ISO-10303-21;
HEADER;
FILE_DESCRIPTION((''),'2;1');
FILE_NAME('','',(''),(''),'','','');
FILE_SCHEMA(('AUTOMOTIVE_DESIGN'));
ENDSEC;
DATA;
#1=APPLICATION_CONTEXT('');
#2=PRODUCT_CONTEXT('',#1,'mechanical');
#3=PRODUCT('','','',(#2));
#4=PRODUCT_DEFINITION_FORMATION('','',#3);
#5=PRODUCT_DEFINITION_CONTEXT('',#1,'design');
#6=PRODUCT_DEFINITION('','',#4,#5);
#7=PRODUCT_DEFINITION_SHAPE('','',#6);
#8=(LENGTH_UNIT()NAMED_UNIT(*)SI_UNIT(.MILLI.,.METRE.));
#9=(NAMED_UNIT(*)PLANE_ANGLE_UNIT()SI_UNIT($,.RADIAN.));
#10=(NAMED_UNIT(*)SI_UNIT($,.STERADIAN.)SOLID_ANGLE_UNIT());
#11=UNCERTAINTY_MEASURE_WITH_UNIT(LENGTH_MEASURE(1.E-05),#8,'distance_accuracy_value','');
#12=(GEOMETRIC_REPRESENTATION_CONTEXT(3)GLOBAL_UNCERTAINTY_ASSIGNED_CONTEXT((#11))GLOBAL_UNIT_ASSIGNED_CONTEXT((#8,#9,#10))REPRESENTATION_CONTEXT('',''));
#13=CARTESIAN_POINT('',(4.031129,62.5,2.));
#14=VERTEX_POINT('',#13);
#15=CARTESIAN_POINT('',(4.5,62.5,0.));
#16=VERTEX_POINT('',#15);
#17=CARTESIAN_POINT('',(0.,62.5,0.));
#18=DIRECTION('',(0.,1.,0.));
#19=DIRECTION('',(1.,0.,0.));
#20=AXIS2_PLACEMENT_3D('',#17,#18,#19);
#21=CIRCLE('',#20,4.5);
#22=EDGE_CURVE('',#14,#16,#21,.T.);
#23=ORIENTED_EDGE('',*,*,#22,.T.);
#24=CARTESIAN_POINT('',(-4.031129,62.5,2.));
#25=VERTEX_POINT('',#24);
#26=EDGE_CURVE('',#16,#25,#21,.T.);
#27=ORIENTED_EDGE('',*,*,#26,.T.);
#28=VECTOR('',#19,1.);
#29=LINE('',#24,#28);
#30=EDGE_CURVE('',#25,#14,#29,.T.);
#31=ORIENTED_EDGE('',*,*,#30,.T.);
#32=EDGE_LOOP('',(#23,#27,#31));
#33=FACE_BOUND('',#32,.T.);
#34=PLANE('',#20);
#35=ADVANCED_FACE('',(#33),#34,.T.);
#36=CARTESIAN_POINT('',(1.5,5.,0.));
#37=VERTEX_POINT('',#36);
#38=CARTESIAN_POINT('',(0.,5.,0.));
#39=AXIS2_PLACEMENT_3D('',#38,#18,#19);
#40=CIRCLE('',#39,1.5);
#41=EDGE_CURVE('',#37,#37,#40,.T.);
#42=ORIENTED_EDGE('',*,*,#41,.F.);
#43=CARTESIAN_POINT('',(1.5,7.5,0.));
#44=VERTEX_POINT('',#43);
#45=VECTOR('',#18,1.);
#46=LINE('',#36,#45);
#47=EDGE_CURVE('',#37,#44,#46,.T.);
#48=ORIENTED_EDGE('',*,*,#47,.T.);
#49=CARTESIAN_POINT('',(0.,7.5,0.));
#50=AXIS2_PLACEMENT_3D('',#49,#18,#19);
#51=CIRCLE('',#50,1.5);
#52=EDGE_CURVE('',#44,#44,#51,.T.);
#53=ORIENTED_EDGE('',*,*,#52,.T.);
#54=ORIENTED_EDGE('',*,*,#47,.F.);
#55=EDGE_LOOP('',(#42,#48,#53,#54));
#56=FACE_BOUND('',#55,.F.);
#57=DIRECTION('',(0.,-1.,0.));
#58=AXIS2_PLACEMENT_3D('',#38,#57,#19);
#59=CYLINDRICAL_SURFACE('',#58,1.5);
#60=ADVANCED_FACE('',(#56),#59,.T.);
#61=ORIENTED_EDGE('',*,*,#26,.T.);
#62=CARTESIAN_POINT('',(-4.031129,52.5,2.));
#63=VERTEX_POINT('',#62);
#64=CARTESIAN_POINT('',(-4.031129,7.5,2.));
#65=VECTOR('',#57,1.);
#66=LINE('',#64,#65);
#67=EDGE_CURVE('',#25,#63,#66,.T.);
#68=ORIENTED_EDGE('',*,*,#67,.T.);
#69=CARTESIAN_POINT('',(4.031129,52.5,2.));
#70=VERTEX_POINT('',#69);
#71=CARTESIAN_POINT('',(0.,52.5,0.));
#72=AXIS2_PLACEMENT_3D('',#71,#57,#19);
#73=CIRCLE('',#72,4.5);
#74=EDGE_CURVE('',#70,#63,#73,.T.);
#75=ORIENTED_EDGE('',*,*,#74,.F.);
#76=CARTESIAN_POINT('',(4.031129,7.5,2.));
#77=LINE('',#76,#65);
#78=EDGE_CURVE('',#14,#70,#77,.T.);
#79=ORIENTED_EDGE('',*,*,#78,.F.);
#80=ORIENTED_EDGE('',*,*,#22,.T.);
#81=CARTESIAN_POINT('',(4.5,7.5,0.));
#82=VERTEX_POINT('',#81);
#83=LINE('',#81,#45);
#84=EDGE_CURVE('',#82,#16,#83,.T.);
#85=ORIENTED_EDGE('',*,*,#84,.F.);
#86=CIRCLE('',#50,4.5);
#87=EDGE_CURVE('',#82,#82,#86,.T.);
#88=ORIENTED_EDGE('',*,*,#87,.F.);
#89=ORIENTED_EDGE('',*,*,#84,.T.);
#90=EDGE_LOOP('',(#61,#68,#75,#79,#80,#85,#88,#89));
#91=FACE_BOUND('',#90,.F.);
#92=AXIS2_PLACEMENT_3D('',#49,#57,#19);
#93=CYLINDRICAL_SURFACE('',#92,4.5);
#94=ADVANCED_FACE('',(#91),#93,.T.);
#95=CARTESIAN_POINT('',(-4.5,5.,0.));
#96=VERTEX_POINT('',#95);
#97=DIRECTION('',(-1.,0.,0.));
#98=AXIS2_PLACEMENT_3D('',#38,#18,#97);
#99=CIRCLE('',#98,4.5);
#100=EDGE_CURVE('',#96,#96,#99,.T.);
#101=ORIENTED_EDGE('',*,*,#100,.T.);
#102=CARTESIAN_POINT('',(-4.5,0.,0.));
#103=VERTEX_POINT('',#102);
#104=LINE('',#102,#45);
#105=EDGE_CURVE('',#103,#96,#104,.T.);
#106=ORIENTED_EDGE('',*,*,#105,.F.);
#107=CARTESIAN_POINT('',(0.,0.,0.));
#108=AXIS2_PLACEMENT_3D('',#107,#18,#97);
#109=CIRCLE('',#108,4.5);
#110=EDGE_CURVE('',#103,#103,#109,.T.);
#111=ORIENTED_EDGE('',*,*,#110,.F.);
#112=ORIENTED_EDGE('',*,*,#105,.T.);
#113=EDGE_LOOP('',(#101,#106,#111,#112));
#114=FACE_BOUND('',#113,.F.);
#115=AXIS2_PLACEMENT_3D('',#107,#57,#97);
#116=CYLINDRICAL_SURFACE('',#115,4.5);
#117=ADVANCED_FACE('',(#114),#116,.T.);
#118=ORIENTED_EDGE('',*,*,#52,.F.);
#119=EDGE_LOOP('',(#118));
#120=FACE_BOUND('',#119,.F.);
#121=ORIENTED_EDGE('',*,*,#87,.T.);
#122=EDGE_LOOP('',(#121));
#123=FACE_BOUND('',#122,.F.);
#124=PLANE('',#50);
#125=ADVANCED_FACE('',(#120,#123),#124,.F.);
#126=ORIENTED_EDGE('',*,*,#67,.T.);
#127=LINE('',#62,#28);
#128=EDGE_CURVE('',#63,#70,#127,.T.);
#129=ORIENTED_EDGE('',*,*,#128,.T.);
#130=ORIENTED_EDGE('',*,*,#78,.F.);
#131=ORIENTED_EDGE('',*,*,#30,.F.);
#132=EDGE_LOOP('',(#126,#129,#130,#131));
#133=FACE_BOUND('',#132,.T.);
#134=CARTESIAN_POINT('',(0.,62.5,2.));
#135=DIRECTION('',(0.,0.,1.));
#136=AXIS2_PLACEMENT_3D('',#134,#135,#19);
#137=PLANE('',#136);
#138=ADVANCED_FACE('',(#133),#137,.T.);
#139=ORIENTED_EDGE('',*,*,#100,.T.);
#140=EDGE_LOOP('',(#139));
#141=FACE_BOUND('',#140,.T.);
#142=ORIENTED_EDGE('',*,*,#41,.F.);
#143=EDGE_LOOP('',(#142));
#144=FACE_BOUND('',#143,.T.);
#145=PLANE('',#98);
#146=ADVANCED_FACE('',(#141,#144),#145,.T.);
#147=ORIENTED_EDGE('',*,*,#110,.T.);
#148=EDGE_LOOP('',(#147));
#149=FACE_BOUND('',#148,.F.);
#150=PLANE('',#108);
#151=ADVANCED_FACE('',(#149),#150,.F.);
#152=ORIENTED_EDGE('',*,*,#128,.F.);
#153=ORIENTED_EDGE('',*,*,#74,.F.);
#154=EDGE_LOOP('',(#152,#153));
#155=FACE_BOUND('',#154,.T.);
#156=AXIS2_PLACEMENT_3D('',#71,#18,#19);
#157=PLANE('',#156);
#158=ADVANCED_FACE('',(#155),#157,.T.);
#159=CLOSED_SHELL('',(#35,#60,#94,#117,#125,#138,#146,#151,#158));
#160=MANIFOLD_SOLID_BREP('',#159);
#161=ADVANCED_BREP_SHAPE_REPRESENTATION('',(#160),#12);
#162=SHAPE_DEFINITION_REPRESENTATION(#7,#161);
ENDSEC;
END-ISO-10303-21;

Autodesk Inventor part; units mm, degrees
ref_plane "YZ Plane" through (0, 0, 0) normal (1, 0, 0) x (0, 1, 0)
ref_plane "XZ Plane" through (0, 0, 0) normal (0, 1, 0) x (-1, 0, 0)
ref_plane "XY Plane" through (0, 0, 0) normal (0, 0, 1) x (1, 0, 0)
sketch "Эскиз1" plane through (0, 0, 0) normal (0, 1, 0) x (-1, 0, 0)
  circle A0 centre (0, 0) radius 4.5
  dimension "d0" = 9
sketch "Эскиз5" plane through (0, 0, 0) normal (0, 1, 0) x (-1, 0, 0)
  point P0 (0, 0)
extrude "Выдавливание4" add sketch "Эскиз1" along normal blind 5
sketch "Эскиз6" plane through (0, 5, 0) normal (0, 1, 0) x (1, 0, 0)
  circle A0 centre (0, 0) radius 4.5 projected
  circle A1 centre (0, 0) radius 1.5
  dimension "d12" = 3
extrude "Выдавливание5" add sketch "Эскиз6" along normal blind 2.5 contours A1
sketch "Эскиз7" plane through (0, 7.5, 0) normal (0, 1, 0) x (1, 0, 0)
  circle A0 centre (0, 0) radius 4.5
  dimension "d15" = 9
extrude "Выдавливание6" add sketch "Эскиз7" along normal blind 55
sketch "Эскиз8" plane through (0, 62.5, 0) normal (0, 1, 0) x (1, 0, 0)
  line L0 (0, 0) -> (0, -2)
  line L1 (0, -2) -> (-5.0098, -2)
  line L2 (0, -2) -> (5.0098, -2)
  line L3 (5.0098, -2) -> (5.0098, -6.5905)
  line L4 (5.0098, -6.5905) -> (-5.0098, -6.5905)
  line L5 (-5.0098, -6.5905) -> (-5.0098, -2)
  dimension "d18" = 2
sketch "Эскиз9" plane through (0, 62.5, 0) normal (0, 1, 0) x (1, 0, 0)
  point P0 (0, 0)
extrude "Выдавливание7" cut sketch "Эскиз8" against normal blind 10
